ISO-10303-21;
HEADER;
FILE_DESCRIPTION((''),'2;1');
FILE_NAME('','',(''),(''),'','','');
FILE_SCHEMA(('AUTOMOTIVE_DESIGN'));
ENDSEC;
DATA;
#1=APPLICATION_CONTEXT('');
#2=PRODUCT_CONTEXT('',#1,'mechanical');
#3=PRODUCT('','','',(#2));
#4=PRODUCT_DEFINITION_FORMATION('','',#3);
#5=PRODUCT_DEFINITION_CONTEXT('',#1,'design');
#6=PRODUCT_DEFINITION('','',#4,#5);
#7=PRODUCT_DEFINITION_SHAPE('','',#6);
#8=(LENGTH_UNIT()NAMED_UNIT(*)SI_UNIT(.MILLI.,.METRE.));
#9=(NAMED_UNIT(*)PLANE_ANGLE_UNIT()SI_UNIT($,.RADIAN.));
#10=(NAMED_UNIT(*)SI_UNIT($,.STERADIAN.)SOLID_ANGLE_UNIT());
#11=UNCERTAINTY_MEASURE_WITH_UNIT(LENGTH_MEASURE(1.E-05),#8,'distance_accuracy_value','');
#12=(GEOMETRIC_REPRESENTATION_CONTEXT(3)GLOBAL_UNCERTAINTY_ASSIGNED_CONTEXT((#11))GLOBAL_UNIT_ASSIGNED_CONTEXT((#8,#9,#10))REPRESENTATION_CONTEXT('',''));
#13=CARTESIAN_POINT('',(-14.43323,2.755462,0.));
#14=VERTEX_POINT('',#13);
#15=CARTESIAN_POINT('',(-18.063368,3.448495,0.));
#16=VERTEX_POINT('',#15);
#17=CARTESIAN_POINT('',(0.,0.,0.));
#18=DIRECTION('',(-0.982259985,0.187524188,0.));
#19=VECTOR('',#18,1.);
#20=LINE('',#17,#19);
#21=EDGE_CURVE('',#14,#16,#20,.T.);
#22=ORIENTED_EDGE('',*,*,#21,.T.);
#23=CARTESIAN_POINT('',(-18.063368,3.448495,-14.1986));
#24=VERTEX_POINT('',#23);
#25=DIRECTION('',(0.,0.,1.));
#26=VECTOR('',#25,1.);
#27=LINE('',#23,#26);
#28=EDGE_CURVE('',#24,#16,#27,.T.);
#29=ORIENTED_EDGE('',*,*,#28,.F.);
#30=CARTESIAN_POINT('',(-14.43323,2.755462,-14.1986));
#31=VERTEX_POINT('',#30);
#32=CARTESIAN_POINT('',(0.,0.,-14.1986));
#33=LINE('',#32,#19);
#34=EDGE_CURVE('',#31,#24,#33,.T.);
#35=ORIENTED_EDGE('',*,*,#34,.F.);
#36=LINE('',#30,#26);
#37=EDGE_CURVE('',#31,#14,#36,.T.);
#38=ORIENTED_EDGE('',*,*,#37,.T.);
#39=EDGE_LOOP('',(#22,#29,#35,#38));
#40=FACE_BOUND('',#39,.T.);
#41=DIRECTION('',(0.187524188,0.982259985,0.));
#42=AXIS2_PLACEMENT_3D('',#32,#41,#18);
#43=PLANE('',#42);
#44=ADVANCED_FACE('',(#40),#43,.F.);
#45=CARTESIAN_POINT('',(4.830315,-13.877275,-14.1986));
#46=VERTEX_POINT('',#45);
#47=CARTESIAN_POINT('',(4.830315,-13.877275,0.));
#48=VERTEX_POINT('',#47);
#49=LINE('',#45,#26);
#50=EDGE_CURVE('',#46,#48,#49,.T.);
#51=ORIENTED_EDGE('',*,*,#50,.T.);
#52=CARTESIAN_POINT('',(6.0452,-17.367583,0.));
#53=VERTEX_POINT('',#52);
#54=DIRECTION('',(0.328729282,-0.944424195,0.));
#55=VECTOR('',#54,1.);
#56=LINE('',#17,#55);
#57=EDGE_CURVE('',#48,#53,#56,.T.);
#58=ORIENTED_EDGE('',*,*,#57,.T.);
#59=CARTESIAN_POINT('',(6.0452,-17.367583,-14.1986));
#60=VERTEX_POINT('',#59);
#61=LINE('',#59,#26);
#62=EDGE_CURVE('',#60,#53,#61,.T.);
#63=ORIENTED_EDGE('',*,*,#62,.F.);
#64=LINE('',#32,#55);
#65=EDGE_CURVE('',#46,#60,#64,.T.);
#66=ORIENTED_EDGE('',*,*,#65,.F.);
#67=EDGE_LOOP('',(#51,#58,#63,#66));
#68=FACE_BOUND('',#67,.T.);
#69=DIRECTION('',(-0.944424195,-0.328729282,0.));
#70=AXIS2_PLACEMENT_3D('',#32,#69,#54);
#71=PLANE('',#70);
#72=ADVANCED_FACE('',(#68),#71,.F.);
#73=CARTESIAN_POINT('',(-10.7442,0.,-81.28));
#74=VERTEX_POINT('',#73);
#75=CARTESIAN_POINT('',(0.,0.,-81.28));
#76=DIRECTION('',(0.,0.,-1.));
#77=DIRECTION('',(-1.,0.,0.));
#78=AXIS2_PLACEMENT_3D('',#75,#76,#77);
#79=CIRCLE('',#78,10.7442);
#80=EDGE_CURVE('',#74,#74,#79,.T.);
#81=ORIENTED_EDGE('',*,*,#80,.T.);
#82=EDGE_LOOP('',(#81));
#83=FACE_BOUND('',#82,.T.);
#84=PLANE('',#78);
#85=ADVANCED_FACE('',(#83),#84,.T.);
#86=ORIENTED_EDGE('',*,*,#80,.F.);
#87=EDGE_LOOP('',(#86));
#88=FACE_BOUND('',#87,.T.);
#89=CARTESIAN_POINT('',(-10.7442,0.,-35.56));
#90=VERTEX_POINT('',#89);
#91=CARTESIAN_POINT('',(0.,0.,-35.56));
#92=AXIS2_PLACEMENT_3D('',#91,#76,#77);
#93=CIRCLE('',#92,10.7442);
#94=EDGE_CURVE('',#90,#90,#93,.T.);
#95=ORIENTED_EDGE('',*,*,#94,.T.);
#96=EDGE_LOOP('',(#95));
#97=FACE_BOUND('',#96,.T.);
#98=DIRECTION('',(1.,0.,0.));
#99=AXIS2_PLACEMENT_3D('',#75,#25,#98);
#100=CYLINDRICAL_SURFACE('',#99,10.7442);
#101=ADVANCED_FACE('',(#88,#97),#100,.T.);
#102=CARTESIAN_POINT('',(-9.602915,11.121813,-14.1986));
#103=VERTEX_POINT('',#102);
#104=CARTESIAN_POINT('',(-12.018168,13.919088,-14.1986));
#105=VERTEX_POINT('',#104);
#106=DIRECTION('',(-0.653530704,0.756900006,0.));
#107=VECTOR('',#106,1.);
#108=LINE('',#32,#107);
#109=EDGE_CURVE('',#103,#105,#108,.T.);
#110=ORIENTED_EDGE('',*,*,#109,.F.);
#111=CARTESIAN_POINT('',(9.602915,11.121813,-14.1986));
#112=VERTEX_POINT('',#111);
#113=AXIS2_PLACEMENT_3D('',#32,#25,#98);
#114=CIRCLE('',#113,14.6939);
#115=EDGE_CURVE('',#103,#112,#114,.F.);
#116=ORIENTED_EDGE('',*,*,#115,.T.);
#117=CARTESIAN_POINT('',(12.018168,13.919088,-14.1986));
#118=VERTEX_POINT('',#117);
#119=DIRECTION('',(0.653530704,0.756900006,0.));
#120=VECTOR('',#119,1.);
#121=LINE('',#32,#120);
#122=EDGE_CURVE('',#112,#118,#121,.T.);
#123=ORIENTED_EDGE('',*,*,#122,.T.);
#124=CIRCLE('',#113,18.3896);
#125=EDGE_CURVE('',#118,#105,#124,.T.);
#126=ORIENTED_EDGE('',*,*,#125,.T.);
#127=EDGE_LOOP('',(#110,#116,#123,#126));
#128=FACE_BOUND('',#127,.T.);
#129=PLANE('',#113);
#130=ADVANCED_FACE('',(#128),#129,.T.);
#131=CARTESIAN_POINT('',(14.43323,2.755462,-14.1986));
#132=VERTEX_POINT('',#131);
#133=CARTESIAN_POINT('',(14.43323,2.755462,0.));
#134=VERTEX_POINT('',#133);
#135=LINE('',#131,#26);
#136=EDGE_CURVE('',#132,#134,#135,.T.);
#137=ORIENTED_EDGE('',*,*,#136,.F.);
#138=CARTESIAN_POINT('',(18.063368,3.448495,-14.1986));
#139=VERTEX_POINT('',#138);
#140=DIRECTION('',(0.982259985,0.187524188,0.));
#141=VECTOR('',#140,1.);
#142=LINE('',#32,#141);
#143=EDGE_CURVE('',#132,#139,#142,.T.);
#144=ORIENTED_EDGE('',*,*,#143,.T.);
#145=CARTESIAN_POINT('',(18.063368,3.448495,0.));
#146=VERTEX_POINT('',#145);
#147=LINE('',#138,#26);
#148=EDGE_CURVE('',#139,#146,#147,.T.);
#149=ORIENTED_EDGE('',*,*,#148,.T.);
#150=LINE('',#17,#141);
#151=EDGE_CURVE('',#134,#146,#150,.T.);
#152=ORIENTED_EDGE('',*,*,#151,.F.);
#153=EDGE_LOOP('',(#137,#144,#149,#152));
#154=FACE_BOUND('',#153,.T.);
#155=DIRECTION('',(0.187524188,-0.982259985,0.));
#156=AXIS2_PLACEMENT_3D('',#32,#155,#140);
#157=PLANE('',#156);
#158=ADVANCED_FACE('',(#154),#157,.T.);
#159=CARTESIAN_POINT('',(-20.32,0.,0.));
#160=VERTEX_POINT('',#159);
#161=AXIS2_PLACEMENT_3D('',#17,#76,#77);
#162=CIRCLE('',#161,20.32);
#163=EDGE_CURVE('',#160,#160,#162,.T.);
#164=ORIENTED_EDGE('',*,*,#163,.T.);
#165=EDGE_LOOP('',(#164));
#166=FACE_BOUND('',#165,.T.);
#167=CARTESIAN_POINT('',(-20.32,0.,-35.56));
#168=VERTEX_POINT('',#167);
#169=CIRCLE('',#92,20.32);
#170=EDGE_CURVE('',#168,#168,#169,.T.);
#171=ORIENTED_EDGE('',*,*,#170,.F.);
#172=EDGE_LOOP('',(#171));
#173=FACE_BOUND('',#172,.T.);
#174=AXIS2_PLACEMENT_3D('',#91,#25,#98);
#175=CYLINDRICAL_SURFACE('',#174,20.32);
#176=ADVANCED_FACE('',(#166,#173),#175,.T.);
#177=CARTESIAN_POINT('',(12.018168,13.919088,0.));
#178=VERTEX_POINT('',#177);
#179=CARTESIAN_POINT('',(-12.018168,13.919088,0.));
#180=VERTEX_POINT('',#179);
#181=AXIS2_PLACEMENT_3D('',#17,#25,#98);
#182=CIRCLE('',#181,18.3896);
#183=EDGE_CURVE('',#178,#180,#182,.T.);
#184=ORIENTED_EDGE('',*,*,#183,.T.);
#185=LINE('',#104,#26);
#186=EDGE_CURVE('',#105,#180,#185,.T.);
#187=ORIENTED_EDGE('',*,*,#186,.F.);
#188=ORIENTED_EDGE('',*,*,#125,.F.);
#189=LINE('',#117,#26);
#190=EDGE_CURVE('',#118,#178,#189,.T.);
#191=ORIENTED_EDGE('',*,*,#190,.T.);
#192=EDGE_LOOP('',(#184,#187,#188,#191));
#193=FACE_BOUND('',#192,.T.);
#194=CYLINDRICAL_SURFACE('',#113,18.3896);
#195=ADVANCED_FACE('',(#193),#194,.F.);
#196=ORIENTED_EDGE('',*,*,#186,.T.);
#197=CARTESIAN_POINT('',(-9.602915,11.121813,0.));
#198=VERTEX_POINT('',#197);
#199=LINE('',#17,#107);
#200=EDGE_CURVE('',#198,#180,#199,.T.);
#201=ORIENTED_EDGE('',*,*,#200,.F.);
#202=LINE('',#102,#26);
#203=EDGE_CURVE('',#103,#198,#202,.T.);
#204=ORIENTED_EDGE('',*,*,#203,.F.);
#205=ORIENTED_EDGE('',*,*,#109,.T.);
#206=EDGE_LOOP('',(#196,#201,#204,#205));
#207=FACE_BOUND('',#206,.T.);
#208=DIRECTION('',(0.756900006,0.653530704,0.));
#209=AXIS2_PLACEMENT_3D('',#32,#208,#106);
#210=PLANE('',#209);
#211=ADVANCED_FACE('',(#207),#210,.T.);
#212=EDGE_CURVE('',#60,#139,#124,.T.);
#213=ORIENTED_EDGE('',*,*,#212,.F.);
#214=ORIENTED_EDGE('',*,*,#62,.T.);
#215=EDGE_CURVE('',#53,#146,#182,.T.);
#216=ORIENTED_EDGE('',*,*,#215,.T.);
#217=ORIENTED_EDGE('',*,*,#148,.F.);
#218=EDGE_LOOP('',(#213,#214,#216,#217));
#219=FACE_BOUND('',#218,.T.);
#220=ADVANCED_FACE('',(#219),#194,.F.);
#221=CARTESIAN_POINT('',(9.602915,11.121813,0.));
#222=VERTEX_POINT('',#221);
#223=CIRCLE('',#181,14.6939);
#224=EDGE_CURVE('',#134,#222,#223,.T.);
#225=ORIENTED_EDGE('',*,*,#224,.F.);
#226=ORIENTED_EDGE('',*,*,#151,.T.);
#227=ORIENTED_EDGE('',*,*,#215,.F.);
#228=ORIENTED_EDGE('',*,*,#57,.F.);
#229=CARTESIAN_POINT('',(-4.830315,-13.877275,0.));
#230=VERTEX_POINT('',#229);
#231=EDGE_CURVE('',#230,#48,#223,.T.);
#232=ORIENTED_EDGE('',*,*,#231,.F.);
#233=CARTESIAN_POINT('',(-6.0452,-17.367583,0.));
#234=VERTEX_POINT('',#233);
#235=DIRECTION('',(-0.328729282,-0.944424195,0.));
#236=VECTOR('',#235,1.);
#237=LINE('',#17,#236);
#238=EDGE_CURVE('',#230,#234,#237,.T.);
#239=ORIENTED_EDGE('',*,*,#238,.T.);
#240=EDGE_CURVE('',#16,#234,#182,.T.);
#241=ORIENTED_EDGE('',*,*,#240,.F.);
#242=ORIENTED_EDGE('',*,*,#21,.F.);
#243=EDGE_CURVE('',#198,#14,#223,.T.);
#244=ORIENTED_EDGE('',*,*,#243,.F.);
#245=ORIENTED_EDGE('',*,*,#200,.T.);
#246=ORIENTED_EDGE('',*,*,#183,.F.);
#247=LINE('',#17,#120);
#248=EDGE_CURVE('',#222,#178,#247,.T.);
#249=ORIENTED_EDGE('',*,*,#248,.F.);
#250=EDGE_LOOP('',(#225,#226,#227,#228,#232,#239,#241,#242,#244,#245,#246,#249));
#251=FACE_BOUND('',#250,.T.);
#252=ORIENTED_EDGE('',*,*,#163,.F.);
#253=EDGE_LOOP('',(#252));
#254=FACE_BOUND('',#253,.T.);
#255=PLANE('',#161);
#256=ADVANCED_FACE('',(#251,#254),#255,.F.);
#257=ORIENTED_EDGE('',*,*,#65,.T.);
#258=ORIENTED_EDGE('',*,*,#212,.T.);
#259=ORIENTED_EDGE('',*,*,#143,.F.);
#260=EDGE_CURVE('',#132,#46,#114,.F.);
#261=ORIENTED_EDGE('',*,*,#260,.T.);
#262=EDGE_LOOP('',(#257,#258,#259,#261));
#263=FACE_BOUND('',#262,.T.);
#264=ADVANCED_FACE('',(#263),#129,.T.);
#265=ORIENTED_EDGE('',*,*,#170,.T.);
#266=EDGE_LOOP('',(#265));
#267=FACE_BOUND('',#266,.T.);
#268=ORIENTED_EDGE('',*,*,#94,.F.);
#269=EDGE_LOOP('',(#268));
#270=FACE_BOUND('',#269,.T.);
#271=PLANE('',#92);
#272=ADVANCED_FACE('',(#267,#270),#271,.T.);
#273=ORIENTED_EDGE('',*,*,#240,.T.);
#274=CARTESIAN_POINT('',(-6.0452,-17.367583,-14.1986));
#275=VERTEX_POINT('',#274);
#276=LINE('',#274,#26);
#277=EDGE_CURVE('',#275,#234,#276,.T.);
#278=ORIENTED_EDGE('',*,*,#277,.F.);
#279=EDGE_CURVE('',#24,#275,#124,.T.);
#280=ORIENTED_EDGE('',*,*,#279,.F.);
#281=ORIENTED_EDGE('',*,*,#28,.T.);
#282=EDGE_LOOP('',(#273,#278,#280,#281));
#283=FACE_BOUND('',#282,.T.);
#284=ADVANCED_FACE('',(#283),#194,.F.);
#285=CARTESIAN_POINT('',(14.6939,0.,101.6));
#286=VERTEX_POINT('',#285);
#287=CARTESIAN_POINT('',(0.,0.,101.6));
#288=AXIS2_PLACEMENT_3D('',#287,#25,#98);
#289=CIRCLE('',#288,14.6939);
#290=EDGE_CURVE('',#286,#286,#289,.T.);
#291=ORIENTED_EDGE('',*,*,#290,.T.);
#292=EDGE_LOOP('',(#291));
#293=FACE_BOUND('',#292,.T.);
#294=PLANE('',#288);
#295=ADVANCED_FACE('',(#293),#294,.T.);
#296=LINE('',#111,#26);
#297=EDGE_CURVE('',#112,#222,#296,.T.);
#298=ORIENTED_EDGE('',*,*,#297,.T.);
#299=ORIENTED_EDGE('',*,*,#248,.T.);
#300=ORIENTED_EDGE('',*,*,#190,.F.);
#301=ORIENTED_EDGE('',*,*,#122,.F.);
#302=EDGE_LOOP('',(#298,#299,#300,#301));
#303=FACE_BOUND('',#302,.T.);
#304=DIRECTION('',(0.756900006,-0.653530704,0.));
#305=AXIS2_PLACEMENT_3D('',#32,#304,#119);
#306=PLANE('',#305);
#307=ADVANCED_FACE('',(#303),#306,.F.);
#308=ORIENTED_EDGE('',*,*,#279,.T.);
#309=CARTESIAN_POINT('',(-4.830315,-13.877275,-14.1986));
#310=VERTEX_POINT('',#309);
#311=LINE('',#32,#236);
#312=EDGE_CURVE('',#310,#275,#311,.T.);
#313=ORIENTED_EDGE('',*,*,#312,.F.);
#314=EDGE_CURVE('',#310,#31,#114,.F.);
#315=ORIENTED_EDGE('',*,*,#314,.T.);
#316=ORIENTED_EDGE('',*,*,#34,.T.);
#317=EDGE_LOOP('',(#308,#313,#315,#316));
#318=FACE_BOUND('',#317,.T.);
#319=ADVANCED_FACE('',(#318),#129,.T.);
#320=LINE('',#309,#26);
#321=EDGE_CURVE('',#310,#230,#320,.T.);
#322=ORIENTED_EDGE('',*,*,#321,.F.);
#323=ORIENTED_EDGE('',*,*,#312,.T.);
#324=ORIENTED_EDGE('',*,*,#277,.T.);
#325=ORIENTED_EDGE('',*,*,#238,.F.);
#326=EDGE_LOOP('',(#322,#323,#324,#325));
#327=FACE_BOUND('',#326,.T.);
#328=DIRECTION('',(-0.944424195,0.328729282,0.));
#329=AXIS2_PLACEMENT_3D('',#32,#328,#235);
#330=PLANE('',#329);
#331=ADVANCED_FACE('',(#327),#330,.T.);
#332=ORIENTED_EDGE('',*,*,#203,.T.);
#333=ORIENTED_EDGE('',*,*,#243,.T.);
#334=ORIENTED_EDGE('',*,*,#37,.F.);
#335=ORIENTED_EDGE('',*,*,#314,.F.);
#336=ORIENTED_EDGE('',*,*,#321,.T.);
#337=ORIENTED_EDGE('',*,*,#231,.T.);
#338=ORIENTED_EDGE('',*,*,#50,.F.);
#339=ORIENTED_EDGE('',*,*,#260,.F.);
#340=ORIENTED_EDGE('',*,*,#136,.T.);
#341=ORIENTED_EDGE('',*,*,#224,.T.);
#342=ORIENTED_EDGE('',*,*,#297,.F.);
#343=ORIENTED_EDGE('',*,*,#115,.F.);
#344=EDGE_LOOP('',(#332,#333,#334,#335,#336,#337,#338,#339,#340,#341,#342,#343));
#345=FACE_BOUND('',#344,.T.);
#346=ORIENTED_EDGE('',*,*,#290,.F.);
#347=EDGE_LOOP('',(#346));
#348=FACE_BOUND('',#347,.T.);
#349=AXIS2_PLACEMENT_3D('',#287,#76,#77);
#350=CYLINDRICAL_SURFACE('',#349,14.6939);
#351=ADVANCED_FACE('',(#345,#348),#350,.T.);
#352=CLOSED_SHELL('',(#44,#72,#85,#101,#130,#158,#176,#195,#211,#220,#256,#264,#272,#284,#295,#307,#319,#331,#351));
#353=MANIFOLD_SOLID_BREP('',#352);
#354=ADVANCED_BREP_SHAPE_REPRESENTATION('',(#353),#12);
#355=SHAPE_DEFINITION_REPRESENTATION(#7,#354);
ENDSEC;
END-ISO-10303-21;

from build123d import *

# Parameters (mm, degrees)
SKETCH1_R           = 14.6939
BOSS_EXTRUDE1_DEPTH = 101.6
SKETCH2_R           = 20.32
BOSS_EXTRUDE2_DEPTH = 35.56
SKETCH3_R           = 10.7442
BOSS_EXTRUDE3_DEPTH = 45.72
CUT_EXTRUDE1_DEPTH  = 14.1986


with BuildPart() as part:
    # Sketch1 → Boss-Extrude1 (new body)
    with BuildSketch(Plane.XY):
        Circle(SKETCH1_R)
    extrude(amount=BOSS_EXTRUDE1_DEPTH)

    # Sketch2 → Boss-Extrude2 (add)
    with BuildSketch(Plane(origin=(0, 0, 0), x_dir=(-1, 0, 0), z_dir=(0, 0, -1))):
        Circle(SKETCH2_R)
    extrude(amount=BOSS_EXTRUDE2_DEPTH)

    # Sketch3 → Boss-Extrude3 (add)
    with BuildSketch(Plane(origin=(0, 0, -35.56), x_dir=(-1, 0, 0), z_dir=(0, 0, -1))):
        Circle(SKETCH3_R)
    extrude(amount=BOSS_EXTRUDE3_DEPTH)

    # Sketch5 → Cut-Extrude1 (cut)
    with BuildSketch(Plane.XY):
        with BuildLine():
            ThreePointArc((-9.602914805, 11.121813002), (0, 14.6939), (9.602914805, 11.121813002))
            Line((9.602914805, 11.121813002), (12.018168226, 13.919088355))
            ThreePointArc((12.018168226, 13.919088355), (0, 18.3896), (-12.018168226, 13.919088355))
            Line((-12.018168226, 13.919088355), (-9.602914805, 11.121813002))
        make_face()
        with BuildLine():
            ThreePointArc((14.433229999, 2.755461671), (12.725290681, -7.34695), (4.830315193, -13.877274673))
            Line((4.830315193, -13.877274673), (6.0452, -17.367583169))
            ThreePointArc((6.0452, -17.367583169), (15.925860765, -9.1948), (18.063368226, 3.448494813))
            Line((18.063368226, 3.448494813), (14.433229999, 2.755461671))
        make_face()
        with BuildLine():
            Line((-6.0452, -17.367583169), (-4.830315193, -13.877274673))
            ThreePointArc((-4.830315193, -13.877274673), (-12.725290681, -7.34695), (-14.433229999, 2.755461671))
            Line((-14.433229999, 2.755461671), (-18.063368226, 3.448494813))
            ThreePointArc((-18.063368226, 3.448494813), (-15.925860765, -9.1948), (-6.0452, -17.367583169))
        make_face()
    extrude(amount=-CUT_EXTRUDE1_DEPTH, mode=Mode.SUBTRACT)


solid = part.part
